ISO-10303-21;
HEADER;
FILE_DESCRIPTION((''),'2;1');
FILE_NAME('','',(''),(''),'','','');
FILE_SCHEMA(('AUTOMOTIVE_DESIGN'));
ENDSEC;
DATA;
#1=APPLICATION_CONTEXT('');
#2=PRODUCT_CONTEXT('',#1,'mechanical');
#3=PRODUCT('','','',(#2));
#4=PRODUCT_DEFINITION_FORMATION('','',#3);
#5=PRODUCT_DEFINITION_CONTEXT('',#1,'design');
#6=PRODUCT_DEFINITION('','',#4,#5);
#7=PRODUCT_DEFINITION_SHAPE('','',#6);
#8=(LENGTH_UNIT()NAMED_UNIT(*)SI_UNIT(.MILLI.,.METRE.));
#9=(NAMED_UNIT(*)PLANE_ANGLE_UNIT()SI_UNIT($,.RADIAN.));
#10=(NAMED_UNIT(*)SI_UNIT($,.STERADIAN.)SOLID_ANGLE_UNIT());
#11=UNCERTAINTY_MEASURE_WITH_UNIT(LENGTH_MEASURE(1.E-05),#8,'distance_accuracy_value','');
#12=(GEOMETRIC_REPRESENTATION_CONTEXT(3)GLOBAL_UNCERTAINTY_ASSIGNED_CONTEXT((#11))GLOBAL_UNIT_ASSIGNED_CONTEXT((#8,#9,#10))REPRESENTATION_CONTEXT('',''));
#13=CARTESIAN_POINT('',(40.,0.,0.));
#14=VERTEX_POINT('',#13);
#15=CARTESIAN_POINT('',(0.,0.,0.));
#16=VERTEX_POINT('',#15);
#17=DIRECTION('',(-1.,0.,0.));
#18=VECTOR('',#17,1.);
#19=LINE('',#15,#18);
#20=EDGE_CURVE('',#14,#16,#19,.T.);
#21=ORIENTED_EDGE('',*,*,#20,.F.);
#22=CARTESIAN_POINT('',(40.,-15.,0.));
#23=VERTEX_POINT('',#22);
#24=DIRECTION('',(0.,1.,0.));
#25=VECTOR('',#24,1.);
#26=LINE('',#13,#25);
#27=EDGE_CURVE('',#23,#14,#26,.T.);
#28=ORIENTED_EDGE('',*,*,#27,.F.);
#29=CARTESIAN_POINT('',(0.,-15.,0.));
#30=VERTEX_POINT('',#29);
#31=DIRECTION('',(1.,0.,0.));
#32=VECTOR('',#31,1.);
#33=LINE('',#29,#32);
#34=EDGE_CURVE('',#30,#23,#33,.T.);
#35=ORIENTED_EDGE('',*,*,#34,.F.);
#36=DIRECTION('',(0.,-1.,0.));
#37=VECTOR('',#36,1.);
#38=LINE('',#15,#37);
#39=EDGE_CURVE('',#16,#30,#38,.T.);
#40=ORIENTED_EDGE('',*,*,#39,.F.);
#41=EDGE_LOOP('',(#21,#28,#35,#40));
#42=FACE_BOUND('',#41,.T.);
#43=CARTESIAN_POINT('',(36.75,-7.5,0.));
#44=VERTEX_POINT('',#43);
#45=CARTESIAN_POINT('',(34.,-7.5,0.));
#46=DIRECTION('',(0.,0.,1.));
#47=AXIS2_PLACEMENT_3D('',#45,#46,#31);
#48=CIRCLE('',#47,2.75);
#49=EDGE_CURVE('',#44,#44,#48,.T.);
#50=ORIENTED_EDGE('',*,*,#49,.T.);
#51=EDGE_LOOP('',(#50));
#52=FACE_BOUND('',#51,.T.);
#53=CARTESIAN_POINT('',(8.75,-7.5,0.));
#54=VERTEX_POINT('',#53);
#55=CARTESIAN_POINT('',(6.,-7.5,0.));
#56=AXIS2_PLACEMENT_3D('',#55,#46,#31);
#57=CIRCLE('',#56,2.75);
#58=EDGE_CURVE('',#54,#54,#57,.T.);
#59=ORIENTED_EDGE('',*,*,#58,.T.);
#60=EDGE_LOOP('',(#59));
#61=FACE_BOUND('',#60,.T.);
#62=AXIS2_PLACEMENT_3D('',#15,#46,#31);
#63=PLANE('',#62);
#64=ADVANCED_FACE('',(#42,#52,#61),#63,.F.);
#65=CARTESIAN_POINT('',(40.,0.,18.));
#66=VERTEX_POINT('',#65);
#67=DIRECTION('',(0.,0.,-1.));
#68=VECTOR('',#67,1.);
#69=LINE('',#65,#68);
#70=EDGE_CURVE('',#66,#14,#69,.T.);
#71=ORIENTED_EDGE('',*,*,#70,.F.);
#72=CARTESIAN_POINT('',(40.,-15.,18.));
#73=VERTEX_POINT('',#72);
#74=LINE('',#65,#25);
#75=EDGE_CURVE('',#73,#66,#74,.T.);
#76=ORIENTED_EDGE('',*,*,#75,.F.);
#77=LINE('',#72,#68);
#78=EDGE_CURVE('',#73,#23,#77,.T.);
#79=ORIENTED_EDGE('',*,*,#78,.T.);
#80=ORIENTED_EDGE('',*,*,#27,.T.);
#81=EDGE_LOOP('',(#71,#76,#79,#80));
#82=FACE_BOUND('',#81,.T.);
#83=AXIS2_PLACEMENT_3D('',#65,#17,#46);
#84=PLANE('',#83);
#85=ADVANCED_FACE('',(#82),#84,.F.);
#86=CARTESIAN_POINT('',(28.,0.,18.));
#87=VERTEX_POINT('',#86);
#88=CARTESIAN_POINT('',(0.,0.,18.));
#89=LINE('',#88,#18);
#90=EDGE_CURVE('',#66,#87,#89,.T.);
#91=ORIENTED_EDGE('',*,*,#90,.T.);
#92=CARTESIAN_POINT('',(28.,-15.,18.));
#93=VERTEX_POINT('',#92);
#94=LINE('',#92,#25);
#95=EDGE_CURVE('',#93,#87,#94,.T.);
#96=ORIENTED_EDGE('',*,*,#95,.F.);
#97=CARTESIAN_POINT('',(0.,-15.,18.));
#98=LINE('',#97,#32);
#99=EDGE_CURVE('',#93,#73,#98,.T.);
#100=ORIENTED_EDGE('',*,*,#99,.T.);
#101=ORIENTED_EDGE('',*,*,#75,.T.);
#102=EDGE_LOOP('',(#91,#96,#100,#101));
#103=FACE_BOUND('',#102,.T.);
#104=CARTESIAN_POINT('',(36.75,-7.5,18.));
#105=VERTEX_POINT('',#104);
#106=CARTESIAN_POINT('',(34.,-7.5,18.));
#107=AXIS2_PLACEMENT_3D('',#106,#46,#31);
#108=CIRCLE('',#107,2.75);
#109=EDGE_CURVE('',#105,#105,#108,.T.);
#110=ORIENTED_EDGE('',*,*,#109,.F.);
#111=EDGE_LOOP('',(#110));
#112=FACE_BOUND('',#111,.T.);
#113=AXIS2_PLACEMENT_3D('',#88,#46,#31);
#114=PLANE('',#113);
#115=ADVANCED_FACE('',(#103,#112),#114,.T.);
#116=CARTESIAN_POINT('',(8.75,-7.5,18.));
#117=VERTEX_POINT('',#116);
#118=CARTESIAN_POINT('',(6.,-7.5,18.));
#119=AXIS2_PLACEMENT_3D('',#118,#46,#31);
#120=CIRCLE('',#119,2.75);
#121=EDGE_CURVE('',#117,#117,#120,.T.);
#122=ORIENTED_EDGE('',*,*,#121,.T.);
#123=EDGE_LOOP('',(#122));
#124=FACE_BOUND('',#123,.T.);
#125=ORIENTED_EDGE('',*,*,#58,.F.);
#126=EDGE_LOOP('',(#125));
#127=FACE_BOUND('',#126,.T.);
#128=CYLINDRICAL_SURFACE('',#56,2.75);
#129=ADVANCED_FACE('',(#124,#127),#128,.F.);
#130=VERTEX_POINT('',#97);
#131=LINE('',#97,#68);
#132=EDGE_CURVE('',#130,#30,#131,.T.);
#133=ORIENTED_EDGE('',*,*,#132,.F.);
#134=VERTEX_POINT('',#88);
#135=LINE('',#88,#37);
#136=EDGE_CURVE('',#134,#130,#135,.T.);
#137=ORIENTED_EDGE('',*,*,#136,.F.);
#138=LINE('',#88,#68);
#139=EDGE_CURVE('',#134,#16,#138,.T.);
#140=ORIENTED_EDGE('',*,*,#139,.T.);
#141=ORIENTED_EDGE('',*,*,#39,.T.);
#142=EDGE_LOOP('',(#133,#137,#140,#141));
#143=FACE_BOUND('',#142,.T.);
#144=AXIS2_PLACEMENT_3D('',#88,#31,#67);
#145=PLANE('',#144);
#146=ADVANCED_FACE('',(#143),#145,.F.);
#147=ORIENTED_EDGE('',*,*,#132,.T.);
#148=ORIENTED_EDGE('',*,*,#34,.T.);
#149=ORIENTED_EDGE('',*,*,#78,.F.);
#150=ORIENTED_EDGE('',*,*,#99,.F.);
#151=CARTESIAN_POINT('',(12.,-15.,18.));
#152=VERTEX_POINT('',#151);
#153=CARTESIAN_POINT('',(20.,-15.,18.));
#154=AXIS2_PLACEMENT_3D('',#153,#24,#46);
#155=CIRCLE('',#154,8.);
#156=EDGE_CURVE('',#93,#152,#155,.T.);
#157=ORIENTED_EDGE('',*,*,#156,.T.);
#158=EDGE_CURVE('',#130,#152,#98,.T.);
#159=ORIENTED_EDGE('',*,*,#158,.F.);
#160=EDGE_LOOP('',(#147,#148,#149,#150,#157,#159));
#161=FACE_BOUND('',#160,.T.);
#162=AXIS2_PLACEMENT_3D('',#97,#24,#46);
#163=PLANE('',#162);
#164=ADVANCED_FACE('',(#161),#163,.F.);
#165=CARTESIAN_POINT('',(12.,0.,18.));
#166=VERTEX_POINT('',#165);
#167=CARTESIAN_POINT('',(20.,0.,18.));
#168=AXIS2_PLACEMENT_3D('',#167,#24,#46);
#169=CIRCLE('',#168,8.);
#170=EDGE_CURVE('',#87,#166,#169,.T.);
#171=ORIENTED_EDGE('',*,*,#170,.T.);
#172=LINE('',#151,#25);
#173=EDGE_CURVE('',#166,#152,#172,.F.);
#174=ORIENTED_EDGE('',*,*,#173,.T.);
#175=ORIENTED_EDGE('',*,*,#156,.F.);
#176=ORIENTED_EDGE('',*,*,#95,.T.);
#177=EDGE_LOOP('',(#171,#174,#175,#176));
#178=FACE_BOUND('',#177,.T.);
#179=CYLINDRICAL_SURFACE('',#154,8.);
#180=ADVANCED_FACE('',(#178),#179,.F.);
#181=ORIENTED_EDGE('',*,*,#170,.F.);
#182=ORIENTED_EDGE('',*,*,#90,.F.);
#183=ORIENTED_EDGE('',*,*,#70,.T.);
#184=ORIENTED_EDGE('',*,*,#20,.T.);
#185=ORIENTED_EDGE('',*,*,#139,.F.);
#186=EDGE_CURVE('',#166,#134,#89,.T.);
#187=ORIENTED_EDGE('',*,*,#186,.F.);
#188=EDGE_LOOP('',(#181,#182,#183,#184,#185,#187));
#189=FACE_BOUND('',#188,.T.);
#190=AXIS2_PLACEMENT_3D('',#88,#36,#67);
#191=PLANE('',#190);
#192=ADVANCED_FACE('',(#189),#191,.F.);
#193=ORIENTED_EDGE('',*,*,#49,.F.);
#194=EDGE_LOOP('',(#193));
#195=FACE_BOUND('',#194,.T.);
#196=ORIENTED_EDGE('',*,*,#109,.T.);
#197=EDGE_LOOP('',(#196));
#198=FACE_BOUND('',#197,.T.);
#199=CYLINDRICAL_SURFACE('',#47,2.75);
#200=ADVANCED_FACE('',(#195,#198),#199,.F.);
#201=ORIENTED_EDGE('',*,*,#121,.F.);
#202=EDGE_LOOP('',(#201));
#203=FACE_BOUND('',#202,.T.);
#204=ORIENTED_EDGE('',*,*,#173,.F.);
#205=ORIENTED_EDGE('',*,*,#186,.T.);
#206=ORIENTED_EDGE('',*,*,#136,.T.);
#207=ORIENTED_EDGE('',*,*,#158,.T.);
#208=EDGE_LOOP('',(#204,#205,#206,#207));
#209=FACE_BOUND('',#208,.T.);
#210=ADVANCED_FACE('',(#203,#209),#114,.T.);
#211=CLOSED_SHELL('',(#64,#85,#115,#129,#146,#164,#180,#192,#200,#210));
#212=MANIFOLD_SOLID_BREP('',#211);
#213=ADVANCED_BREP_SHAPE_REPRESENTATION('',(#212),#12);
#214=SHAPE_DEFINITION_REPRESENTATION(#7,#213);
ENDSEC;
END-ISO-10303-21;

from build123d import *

# Parameters (mm, degrees)
SKETCH_1_W          = 40
SKETCH_1_H          = 15
EXTRUDE_1_DEPTH     = 18
SKETCH_2_R          = 8
CUT_EXTRUDE_1_DEPTH = 15
SKETCH_4_R          = 2.75
CUT_EXTRUDE_2_DEPTH = 47.357307946


with BuildPart() as part:
    # 草图1 → 凸台-拉伸1 (new body)
    with BuildSketch(Plane.XY):
        with Locations((20, -7.5)):
            Rectangle(SKETCH_1_W, SKETCH_1_H)
    extrude(amount=EXTRUDE_1_DEPTH)

    # 草图2 → 切除-拉伸1 (cut)
    with BuildSketch(Plane(origin=(0, 0, 0), x_dir=(1, 0, 0), z_dir=(0, 1, 0))):
        with Locations((20, -18)):
            Circle(SKETCH_2_R)
    extrude(amount=-CUT_EXTRUDE_1_DEPTH, mode=Mode.SUBTRACT)

    # 草图4 → 切除-拉伸2 (cut, through all)
    with BuildSketch(Plane.XY.offset(18)):
        with Locations((34, -7.5)):
            Circle(SKETCH_4_R)
        with Locations((6, -7.5)):
            Circle(SKETCH_4_R)
    extrude(amount=-CUT_EXTRUDE_2_DEPTH, mode=Mode.SUBTRACT)


solid = part.part
